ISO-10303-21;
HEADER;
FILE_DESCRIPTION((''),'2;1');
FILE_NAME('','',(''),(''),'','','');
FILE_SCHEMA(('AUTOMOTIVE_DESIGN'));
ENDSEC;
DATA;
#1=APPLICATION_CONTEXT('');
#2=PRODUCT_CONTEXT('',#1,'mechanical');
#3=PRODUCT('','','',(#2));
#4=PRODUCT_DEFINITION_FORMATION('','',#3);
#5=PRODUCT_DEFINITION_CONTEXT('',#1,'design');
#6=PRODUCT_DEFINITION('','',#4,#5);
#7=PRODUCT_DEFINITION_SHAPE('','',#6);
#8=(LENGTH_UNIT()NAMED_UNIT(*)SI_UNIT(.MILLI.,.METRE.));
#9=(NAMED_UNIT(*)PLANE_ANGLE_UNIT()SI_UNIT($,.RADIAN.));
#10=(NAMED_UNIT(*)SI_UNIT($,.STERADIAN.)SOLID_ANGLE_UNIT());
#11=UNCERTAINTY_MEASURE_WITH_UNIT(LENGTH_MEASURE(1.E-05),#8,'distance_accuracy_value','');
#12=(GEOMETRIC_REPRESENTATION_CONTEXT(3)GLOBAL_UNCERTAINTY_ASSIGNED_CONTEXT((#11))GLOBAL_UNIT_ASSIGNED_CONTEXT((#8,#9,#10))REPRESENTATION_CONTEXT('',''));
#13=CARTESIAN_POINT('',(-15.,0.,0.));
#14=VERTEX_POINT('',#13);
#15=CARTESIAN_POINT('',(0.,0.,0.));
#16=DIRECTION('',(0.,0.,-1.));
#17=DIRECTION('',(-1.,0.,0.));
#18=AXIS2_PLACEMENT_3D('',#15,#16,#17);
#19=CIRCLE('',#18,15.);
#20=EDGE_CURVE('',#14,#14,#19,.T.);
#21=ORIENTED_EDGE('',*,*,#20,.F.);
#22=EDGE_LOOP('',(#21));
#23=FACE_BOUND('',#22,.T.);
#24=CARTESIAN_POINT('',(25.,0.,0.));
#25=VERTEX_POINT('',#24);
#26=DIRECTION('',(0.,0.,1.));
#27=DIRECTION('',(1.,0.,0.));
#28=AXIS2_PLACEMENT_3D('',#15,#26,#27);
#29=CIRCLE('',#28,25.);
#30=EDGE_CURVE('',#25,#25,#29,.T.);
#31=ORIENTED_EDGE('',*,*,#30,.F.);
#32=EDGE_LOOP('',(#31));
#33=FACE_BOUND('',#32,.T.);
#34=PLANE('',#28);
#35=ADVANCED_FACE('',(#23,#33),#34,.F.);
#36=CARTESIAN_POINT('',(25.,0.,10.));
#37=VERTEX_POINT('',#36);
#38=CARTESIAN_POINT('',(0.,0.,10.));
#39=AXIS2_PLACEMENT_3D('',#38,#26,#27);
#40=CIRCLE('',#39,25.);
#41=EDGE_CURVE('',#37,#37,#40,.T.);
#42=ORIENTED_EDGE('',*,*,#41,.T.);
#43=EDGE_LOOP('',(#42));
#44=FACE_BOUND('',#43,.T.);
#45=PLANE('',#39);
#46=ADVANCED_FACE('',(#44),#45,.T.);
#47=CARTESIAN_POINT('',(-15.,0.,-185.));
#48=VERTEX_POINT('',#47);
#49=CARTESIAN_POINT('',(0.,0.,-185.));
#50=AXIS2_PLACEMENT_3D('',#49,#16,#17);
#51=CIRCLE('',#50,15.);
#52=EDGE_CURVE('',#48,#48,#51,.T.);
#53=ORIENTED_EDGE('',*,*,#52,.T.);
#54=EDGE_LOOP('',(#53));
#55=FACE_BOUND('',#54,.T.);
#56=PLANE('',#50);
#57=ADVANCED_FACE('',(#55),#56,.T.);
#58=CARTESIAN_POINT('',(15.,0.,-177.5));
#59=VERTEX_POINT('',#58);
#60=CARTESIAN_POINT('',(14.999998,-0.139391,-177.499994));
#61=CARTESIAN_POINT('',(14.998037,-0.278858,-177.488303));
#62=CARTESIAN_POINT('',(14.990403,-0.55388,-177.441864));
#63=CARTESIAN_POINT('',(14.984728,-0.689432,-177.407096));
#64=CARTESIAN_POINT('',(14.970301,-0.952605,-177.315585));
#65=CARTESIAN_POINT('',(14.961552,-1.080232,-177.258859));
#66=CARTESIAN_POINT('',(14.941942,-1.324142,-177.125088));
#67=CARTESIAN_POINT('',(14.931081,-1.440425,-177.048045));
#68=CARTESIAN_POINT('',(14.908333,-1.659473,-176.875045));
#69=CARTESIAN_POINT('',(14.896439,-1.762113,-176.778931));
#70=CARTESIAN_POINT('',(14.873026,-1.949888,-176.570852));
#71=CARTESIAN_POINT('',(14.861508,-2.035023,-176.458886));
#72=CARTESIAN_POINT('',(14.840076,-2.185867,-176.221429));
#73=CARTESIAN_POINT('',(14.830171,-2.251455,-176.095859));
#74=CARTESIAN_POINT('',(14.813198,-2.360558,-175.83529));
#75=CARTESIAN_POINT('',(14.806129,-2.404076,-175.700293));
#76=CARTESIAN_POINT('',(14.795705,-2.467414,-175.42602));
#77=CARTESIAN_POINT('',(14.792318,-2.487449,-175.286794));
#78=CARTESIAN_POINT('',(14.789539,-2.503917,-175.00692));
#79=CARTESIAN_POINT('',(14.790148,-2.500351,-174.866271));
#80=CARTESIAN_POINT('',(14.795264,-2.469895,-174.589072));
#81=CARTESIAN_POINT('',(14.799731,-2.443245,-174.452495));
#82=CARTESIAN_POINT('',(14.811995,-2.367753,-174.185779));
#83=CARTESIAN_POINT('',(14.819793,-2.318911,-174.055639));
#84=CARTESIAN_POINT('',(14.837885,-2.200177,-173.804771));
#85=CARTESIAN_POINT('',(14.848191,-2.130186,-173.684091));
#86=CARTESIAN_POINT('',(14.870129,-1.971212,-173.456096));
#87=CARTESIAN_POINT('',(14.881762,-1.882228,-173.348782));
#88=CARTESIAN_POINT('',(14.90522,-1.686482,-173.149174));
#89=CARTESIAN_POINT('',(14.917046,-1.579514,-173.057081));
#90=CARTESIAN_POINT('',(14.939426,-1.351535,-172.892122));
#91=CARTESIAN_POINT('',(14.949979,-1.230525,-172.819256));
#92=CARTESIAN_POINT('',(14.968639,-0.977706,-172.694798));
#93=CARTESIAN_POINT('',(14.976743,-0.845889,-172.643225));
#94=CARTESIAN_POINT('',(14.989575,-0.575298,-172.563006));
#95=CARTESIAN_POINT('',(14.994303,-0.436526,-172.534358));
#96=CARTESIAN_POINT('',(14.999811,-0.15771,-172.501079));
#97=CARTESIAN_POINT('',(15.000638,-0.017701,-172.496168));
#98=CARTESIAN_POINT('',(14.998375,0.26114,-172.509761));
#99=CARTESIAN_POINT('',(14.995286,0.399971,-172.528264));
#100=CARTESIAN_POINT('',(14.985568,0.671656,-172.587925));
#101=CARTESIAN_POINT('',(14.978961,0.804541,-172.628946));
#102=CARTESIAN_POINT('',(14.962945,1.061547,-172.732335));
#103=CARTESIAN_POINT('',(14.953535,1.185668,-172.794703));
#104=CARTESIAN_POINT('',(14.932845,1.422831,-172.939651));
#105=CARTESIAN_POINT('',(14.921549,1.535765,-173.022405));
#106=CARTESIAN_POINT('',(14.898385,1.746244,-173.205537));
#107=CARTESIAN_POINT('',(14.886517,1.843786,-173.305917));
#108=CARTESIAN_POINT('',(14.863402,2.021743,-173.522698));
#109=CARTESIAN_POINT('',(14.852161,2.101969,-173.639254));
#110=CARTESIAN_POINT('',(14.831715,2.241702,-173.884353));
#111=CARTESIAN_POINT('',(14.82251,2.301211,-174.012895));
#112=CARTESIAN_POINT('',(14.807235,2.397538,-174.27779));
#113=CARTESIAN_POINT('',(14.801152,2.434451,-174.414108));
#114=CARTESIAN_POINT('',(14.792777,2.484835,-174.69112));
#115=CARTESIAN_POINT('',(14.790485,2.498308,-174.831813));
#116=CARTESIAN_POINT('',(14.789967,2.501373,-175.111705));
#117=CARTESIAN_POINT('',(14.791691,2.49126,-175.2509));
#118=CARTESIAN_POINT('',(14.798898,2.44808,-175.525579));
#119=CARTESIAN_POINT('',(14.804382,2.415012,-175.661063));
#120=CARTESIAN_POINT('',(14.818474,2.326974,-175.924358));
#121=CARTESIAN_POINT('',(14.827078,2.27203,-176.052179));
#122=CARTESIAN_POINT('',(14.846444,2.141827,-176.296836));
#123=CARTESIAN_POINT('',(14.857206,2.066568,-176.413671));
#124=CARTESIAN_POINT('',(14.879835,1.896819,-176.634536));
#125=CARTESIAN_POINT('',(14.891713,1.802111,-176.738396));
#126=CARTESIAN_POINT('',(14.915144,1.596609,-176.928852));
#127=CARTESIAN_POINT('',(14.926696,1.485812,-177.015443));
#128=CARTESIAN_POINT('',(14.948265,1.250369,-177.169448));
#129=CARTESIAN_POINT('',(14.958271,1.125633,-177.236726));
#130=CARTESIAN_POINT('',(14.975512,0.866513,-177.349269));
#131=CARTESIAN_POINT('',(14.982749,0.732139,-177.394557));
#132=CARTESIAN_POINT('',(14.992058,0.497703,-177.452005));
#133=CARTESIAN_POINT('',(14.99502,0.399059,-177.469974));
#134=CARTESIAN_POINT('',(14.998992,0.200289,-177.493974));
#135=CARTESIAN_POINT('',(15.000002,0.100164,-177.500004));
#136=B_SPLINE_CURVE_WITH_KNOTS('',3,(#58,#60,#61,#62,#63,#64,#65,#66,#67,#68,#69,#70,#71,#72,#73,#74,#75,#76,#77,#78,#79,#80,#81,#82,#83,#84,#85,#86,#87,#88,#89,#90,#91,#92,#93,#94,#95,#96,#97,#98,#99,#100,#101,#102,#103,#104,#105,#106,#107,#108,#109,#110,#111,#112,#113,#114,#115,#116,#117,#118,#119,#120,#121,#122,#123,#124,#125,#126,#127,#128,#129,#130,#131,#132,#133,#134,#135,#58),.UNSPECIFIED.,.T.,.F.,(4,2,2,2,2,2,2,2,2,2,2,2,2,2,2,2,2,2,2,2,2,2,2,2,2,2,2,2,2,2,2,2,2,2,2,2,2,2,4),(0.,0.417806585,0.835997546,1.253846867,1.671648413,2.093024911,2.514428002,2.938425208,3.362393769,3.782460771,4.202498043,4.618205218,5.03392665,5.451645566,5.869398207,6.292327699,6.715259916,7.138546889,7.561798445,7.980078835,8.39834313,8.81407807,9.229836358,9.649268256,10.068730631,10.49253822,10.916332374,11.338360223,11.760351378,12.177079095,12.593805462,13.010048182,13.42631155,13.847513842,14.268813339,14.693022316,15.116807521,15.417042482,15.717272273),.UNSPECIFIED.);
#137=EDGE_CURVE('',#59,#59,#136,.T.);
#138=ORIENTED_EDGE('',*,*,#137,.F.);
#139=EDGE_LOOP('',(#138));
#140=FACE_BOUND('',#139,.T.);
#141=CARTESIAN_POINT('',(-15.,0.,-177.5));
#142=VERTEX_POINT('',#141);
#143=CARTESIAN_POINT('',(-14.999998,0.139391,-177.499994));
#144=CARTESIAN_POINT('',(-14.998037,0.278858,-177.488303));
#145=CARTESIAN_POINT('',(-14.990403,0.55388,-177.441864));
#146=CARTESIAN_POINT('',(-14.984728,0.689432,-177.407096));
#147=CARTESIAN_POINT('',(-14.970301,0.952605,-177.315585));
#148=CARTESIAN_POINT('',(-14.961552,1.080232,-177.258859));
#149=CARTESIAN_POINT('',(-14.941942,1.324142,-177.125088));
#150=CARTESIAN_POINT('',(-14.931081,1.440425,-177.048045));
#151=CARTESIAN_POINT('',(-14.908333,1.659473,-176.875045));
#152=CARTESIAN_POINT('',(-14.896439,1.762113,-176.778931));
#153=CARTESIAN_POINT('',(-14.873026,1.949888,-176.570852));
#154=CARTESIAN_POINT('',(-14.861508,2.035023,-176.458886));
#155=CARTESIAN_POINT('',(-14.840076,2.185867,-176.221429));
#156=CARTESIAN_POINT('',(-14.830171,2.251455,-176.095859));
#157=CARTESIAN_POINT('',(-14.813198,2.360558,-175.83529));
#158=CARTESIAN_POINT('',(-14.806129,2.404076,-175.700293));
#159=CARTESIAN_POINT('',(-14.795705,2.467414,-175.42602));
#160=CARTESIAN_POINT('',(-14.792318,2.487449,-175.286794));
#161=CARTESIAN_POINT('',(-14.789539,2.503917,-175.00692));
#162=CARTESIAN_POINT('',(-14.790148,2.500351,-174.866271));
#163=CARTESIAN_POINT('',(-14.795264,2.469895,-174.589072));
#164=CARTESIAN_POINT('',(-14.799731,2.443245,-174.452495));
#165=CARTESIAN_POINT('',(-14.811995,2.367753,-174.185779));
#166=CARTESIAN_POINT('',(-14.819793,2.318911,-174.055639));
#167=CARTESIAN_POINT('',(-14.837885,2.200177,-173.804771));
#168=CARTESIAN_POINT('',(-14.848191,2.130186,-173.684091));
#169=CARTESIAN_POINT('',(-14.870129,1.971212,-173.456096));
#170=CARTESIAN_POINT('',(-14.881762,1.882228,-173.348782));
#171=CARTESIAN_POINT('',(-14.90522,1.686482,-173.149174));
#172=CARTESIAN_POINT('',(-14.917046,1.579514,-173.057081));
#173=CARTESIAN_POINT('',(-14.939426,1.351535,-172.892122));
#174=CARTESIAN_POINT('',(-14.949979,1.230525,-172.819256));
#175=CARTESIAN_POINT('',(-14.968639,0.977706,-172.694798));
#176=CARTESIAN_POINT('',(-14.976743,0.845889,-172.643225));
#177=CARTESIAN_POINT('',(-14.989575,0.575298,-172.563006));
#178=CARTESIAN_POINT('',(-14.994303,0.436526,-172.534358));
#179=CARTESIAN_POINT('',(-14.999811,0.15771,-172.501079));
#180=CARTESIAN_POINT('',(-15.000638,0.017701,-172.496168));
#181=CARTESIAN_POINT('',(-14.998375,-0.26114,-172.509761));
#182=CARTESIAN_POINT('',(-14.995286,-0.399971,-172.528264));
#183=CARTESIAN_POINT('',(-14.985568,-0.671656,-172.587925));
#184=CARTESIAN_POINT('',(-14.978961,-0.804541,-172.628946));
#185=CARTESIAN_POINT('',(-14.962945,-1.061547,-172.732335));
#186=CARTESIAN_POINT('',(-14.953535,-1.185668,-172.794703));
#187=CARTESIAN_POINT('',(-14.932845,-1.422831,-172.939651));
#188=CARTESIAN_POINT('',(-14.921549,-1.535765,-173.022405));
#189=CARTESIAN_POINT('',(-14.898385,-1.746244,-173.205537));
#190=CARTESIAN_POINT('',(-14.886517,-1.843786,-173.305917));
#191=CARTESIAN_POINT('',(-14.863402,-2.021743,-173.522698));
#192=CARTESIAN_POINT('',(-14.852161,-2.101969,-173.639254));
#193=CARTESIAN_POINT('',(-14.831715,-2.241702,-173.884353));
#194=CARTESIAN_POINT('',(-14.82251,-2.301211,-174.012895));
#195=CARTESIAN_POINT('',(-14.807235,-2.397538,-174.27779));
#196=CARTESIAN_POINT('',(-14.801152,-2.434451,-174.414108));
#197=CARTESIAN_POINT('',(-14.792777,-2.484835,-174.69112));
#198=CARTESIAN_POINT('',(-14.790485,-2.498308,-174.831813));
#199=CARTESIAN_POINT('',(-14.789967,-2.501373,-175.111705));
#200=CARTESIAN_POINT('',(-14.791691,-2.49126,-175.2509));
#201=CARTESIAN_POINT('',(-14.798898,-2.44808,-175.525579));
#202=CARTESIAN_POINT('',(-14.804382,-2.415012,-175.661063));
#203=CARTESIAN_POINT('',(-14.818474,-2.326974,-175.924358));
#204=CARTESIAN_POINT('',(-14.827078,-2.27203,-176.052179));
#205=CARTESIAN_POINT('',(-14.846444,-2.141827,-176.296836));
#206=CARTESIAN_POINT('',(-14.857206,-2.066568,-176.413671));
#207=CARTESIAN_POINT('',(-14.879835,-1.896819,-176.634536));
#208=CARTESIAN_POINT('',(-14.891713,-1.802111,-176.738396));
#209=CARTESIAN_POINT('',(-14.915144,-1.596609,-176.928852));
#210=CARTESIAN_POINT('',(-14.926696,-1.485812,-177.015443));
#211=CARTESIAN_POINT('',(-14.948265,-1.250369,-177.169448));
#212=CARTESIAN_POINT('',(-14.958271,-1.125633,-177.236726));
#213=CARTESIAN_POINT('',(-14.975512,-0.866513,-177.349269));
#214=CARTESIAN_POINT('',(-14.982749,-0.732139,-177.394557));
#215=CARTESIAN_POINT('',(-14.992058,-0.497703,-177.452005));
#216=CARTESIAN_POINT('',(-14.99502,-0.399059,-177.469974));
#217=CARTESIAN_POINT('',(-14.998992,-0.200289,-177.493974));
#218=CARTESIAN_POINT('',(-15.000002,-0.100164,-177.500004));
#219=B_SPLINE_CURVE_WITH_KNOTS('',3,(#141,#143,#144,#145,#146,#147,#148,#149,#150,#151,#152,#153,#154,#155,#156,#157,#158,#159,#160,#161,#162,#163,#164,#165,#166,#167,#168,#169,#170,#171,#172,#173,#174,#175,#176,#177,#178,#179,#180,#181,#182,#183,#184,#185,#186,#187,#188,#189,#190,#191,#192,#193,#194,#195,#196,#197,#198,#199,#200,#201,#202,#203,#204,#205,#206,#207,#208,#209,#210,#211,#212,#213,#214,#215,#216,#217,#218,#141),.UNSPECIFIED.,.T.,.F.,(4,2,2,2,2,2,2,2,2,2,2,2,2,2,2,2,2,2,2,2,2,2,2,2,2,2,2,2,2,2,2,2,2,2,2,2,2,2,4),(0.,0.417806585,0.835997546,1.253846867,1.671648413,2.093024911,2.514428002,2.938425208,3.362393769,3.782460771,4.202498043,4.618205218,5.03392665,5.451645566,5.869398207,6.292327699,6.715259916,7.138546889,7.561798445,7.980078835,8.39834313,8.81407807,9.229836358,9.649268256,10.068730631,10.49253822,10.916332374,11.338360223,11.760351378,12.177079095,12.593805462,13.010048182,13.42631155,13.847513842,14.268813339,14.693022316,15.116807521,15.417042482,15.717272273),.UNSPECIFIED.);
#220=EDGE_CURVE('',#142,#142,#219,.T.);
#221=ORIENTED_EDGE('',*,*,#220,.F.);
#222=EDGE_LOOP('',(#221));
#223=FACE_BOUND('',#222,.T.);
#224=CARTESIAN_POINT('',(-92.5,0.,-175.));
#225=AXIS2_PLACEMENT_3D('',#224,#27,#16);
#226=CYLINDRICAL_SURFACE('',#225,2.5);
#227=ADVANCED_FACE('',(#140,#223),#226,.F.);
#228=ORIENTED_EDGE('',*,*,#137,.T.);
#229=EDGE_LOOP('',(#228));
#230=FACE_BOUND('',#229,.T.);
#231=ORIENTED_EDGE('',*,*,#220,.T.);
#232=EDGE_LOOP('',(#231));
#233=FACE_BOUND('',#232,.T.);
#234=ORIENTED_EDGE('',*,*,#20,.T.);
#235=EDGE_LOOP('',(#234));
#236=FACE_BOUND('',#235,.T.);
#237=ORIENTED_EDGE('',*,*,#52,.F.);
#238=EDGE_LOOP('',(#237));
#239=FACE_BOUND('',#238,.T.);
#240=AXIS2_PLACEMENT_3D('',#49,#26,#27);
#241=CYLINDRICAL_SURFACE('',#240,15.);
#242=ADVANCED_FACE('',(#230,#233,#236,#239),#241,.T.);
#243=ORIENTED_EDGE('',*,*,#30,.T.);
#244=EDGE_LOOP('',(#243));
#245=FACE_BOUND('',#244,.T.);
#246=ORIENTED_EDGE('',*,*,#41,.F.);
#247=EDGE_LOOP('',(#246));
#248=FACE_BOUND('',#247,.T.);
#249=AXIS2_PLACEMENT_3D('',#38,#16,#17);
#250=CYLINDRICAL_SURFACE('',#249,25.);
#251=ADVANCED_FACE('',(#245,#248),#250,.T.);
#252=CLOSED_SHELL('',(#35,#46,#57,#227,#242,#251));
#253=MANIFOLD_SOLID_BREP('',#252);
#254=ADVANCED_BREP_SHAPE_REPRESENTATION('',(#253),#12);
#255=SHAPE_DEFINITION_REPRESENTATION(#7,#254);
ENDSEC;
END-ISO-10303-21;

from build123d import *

# Parameters (mm, degrees)
SKETCH1_R           = 25
BOSS_EXTRUDE1_DEPTH = 10
SKETCH5_R           = 15
BOSS_EXTRUDE3_DEPTH = 185
SKETCH6_R           = 2.5
CUT_EXTRUDE1_DEPTH  = 92.5


with BuildPart() as part:
    # Sketch1 → Boss-Extrude1 (new body)
    with BuildSketch(Plane.XY):
        Circle(SKETCH1_R)
    extrude(amount=BOSS_EXTRUDE1_DEPTH)

    # Sketch5 → Boss-Extrude3 (add)
    with BuildSketch(Plane(origin=(0, 0, 0), x_dir=(-1, 0, 0), z_dir=(0, 0, -1))):
        Circle(SKETCH5_R)
    extrude(amount=BOSS_EXTRUDE3_DEPTH)

    # Sketch6 → Cut-Extrude1 (cut, symmetric)
    with BuildSketch(Plane(origin=(0, 0, 0), x_dir=(0, 0, -1), z_dir=(1, 0, 0))):
        with Locations((175, 0)):
            Circle(SKETCH6_R)
    extrude(amount=CUT_EXTRUDE1_DEPTH, both=True, mode=Mode.SUBTRACT)


solid = part.part
